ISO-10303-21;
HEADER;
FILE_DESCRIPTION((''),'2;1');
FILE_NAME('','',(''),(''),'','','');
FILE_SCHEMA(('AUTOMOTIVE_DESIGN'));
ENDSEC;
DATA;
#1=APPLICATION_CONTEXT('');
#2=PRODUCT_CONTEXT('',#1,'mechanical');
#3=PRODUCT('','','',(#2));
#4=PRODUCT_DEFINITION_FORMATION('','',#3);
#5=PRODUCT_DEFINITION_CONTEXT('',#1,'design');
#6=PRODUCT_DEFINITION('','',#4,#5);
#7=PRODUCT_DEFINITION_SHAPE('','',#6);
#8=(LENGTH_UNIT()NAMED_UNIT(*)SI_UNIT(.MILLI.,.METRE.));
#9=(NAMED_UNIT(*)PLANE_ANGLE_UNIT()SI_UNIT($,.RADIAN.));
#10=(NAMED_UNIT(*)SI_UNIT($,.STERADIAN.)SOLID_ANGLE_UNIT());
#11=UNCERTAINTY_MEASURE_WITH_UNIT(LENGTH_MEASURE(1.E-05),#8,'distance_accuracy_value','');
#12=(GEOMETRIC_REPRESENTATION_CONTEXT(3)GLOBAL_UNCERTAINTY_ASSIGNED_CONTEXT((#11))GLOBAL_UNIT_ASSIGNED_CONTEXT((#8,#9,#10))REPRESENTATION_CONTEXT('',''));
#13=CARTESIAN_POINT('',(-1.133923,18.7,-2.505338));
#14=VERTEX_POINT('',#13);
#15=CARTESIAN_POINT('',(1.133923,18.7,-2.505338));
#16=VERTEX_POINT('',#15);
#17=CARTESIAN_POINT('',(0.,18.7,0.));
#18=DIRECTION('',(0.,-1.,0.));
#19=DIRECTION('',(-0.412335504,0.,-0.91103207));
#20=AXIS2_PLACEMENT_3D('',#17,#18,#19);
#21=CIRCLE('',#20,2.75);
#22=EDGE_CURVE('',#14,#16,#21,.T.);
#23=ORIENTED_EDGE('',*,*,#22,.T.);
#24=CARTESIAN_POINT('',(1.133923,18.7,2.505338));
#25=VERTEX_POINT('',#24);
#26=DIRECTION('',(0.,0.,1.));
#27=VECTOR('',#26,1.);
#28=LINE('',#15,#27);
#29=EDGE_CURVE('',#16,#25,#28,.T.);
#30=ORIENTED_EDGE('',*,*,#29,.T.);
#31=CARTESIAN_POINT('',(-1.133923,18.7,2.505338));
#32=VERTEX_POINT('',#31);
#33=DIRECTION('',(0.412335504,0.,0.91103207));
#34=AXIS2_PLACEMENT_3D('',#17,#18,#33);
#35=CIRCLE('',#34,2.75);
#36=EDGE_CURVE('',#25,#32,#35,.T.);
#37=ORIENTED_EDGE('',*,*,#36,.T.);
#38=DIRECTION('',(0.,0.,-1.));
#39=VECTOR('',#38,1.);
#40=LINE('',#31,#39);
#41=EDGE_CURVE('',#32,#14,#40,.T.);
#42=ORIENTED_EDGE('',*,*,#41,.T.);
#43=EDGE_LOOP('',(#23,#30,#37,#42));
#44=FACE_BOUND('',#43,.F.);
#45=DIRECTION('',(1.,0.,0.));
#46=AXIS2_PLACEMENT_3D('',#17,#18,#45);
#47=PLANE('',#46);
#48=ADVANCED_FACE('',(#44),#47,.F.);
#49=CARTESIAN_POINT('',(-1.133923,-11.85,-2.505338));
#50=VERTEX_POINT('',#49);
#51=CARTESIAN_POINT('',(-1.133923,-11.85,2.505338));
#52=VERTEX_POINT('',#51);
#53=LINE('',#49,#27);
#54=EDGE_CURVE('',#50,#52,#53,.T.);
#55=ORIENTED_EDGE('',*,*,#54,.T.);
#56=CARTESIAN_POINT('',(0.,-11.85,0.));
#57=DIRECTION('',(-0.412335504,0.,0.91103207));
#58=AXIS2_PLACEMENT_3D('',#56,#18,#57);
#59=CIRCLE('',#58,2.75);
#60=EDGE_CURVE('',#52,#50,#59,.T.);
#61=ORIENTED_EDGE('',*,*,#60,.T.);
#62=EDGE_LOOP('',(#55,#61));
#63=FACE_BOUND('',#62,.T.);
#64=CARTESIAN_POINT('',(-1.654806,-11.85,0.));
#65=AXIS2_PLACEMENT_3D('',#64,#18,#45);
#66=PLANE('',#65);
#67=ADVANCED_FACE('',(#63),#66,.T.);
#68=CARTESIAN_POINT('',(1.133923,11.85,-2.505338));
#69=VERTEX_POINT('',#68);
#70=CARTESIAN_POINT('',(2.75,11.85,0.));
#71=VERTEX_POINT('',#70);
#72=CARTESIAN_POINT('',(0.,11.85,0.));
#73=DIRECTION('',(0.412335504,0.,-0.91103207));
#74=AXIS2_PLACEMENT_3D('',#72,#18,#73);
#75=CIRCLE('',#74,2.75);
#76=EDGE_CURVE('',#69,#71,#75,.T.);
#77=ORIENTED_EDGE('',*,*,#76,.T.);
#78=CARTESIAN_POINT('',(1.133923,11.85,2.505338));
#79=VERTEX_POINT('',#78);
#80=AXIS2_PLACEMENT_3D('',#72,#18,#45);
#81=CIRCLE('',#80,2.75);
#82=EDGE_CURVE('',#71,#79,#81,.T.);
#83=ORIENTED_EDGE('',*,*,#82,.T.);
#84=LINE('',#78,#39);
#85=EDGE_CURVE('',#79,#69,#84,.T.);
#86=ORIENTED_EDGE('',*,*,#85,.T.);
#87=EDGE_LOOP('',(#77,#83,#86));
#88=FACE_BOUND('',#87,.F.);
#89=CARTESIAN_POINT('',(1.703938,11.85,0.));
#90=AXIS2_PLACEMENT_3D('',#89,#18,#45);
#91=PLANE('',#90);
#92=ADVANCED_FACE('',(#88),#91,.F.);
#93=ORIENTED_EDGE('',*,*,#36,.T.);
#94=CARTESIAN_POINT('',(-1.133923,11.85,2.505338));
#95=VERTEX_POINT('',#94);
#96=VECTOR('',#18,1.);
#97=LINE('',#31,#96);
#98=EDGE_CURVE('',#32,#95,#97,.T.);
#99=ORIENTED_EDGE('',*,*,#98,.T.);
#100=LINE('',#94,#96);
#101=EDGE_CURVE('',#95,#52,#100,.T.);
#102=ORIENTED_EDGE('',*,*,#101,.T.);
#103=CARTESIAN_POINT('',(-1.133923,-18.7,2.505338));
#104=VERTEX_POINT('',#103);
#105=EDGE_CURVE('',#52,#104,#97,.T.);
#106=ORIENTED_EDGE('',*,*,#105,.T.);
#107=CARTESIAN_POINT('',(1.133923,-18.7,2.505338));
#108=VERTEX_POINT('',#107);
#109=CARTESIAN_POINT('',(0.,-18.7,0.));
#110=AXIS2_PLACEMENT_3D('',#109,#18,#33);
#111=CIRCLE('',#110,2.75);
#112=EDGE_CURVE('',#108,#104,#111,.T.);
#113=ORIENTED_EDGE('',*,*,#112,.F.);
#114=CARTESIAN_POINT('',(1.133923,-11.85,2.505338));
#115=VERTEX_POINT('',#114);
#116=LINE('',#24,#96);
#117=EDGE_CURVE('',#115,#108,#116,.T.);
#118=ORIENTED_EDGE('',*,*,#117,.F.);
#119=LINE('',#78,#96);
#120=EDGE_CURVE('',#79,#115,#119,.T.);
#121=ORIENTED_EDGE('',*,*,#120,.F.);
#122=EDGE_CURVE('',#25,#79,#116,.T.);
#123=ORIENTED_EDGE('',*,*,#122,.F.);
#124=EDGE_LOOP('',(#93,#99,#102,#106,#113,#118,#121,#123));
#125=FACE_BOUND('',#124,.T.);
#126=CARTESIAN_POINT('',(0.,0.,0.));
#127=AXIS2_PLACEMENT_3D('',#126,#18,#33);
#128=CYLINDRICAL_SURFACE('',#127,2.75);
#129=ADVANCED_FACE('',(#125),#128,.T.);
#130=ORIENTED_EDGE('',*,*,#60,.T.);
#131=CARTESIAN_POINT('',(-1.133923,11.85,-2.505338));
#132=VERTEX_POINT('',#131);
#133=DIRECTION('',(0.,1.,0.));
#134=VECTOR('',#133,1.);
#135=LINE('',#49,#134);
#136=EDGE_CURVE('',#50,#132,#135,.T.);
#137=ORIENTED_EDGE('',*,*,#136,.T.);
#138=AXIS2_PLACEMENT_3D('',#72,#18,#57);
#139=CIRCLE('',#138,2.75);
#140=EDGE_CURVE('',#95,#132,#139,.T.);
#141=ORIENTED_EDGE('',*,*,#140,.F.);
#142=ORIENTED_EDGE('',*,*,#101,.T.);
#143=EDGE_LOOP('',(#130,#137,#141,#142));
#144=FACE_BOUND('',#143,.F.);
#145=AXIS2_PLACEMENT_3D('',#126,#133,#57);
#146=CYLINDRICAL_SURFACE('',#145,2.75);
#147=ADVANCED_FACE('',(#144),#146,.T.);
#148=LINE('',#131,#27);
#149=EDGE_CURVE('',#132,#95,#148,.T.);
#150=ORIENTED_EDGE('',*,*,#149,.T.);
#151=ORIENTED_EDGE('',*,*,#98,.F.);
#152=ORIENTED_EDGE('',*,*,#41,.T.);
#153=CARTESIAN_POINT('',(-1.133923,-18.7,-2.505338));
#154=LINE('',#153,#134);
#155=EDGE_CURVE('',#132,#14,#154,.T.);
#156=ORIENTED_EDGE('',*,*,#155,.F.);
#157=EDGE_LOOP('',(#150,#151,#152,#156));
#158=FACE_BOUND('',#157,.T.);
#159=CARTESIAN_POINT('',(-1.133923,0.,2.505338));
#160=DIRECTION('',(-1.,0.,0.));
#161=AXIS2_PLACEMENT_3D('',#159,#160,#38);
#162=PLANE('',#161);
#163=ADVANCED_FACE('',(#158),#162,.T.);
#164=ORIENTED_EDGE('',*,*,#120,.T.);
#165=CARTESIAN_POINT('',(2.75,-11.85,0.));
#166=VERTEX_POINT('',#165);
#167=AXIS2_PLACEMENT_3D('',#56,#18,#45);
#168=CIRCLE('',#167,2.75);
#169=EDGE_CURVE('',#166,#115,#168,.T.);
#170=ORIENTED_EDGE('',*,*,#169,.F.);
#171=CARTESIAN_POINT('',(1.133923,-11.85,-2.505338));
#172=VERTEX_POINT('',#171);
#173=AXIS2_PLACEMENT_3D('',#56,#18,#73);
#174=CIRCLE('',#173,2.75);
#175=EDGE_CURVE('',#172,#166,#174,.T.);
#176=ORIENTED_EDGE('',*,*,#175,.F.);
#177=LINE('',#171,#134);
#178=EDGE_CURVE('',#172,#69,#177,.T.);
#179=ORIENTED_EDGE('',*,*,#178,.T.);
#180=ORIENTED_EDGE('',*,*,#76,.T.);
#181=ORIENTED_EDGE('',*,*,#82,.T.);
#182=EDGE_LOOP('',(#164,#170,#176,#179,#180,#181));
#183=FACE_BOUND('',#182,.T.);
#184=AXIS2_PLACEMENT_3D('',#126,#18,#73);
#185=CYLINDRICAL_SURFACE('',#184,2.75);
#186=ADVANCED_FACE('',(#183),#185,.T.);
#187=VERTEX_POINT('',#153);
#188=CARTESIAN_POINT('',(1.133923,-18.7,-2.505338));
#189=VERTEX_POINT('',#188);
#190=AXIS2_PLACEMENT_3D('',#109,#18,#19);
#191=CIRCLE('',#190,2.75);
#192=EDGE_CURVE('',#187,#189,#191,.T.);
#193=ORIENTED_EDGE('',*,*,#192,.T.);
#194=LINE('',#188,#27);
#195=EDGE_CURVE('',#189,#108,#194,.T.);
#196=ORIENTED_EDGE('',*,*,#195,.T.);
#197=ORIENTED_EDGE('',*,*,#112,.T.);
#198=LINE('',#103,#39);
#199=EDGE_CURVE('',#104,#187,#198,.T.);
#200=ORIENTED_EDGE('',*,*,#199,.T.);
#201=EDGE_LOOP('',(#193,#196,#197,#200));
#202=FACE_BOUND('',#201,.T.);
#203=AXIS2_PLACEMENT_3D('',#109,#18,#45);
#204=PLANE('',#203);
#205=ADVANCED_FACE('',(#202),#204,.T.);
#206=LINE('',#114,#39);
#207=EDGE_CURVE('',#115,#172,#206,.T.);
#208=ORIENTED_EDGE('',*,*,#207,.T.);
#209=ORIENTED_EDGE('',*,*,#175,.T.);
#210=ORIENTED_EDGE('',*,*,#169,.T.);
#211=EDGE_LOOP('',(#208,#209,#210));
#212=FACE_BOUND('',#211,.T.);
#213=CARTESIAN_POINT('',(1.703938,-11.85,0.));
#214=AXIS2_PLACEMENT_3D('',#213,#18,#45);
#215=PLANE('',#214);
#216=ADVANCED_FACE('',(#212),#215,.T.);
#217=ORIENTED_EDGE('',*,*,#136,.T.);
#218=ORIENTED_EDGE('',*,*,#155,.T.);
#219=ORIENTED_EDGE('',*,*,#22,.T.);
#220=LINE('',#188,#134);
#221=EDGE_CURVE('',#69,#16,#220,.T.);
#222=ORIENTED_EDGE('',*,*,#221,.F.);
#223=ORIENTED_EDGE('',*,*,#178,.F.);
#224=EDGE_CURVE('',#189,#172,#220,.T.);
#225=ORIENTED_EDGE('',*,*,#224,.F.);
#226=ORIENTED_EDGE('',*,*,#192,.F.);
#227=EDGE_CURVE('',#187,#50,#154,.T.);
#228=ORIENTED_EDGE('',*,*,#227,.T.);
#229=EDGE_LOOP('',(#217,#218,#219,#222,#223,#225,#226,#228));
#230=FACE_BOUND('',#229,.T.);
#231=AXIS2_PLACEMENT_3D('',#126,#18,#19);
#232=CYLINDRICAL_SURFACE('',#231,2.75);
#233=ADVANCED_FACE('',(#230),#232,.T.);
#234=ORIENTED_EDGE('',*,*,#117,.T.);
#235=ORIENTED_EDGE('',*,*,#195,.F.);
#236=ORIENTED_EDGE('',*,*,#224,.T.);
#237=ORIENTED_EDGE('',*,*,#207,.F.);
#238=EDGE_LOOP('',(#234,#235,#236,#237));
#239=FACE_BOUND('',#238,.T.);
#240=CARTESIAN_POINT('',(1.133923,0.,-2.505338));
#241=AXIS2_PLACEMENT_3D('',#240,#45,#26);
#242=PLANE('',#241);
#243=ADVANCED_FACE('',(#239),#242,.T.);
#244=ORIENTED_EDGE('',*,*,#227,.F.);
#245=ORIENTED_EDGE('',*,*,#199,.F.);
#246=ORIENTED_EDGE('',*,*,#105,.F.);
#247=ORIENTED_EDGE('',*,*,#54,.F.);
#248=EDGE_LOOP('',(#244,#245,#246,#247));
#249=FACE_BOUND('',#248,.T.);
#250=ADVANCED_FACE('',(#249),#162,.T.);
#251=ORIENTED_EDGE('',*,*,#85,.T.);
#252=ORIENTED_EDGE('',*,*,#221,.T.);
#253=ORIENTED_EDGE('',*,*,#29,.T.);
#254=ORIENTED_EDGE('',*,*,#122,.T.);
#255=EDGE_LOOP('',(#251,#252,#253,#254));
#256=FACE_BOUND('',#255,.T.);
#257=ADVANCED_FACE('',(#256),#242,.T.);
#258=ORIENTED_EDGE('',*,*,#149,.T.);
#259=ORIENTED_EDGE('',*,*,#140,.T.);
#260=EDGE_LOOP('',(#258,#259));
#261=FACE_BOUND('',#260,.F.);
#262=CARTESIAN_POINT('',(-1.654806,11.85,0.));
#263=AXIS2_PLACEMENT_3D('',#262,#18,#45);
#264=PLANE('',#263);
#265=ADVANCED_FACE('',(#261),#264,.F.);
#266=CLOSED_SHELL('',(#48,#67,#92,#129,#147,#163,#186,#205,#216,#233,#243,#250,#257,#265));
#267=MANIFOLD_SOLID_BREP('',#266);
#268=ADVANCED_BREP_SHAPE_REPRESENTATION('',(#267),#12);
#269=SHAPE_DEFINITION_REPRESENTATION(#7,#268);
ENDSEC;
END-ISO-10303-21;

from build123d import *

# Parameters (mm, degrees)
F1_DEPTH = 18.7
F2_DEPTH = 11.85


with BuildPart() as f1:
    # F0 (on Front) → F1 (new body, symmetric)
    with BuildSketch(Plane.XZ):
        with BuildLine():
            Line((1.1339226358, -2.5053381919), (1.1339226358, 2.5053381919))
            ThreePointArc((1.1339226358, 2.5053381919), (0, 2.75), (-1.1339226358, 2.5053381919))
            Line((-1.1339226358, 2.5053381919), (-1.1339226358, -2.5053381919))
            ThreePointArc((-1.1339226358, -2.5053381919), (0, -2.75), (1.1339226358, -2.5053381919))
        make_face()
    extrude(amount=F1_DEPTH, both=True)

    # F0 (on Front) → F2 (join, symmetric)
    with BuildSketch(Plane.XZ):
        with BuildLine():
            Line((-1.1339226358, -2.5053381919), (-1.1339226358, 2.5053381919))
            ThreePointArc((-1.1339226358, 2.5053381919), (-2.75, 0), (-1.1339226358, -2.5053381919))
        make_face()
        with BuildLine():
            ThreePointArc((1.1339226358, -2.5053381919), (2.310929169, -1.4906731284), (2.75, 0))
            ThreePointArc((2.75, 0), (2.310929169, 1.4906731284), (1.1339226358, 2.5053381919))
            Line((1.1339226358, 2.5053381919), (1.1339226358, -2.5053381919))
        make_face()
    extrude(amount=F2_DEPTH, both=True)


solid = f1.part
